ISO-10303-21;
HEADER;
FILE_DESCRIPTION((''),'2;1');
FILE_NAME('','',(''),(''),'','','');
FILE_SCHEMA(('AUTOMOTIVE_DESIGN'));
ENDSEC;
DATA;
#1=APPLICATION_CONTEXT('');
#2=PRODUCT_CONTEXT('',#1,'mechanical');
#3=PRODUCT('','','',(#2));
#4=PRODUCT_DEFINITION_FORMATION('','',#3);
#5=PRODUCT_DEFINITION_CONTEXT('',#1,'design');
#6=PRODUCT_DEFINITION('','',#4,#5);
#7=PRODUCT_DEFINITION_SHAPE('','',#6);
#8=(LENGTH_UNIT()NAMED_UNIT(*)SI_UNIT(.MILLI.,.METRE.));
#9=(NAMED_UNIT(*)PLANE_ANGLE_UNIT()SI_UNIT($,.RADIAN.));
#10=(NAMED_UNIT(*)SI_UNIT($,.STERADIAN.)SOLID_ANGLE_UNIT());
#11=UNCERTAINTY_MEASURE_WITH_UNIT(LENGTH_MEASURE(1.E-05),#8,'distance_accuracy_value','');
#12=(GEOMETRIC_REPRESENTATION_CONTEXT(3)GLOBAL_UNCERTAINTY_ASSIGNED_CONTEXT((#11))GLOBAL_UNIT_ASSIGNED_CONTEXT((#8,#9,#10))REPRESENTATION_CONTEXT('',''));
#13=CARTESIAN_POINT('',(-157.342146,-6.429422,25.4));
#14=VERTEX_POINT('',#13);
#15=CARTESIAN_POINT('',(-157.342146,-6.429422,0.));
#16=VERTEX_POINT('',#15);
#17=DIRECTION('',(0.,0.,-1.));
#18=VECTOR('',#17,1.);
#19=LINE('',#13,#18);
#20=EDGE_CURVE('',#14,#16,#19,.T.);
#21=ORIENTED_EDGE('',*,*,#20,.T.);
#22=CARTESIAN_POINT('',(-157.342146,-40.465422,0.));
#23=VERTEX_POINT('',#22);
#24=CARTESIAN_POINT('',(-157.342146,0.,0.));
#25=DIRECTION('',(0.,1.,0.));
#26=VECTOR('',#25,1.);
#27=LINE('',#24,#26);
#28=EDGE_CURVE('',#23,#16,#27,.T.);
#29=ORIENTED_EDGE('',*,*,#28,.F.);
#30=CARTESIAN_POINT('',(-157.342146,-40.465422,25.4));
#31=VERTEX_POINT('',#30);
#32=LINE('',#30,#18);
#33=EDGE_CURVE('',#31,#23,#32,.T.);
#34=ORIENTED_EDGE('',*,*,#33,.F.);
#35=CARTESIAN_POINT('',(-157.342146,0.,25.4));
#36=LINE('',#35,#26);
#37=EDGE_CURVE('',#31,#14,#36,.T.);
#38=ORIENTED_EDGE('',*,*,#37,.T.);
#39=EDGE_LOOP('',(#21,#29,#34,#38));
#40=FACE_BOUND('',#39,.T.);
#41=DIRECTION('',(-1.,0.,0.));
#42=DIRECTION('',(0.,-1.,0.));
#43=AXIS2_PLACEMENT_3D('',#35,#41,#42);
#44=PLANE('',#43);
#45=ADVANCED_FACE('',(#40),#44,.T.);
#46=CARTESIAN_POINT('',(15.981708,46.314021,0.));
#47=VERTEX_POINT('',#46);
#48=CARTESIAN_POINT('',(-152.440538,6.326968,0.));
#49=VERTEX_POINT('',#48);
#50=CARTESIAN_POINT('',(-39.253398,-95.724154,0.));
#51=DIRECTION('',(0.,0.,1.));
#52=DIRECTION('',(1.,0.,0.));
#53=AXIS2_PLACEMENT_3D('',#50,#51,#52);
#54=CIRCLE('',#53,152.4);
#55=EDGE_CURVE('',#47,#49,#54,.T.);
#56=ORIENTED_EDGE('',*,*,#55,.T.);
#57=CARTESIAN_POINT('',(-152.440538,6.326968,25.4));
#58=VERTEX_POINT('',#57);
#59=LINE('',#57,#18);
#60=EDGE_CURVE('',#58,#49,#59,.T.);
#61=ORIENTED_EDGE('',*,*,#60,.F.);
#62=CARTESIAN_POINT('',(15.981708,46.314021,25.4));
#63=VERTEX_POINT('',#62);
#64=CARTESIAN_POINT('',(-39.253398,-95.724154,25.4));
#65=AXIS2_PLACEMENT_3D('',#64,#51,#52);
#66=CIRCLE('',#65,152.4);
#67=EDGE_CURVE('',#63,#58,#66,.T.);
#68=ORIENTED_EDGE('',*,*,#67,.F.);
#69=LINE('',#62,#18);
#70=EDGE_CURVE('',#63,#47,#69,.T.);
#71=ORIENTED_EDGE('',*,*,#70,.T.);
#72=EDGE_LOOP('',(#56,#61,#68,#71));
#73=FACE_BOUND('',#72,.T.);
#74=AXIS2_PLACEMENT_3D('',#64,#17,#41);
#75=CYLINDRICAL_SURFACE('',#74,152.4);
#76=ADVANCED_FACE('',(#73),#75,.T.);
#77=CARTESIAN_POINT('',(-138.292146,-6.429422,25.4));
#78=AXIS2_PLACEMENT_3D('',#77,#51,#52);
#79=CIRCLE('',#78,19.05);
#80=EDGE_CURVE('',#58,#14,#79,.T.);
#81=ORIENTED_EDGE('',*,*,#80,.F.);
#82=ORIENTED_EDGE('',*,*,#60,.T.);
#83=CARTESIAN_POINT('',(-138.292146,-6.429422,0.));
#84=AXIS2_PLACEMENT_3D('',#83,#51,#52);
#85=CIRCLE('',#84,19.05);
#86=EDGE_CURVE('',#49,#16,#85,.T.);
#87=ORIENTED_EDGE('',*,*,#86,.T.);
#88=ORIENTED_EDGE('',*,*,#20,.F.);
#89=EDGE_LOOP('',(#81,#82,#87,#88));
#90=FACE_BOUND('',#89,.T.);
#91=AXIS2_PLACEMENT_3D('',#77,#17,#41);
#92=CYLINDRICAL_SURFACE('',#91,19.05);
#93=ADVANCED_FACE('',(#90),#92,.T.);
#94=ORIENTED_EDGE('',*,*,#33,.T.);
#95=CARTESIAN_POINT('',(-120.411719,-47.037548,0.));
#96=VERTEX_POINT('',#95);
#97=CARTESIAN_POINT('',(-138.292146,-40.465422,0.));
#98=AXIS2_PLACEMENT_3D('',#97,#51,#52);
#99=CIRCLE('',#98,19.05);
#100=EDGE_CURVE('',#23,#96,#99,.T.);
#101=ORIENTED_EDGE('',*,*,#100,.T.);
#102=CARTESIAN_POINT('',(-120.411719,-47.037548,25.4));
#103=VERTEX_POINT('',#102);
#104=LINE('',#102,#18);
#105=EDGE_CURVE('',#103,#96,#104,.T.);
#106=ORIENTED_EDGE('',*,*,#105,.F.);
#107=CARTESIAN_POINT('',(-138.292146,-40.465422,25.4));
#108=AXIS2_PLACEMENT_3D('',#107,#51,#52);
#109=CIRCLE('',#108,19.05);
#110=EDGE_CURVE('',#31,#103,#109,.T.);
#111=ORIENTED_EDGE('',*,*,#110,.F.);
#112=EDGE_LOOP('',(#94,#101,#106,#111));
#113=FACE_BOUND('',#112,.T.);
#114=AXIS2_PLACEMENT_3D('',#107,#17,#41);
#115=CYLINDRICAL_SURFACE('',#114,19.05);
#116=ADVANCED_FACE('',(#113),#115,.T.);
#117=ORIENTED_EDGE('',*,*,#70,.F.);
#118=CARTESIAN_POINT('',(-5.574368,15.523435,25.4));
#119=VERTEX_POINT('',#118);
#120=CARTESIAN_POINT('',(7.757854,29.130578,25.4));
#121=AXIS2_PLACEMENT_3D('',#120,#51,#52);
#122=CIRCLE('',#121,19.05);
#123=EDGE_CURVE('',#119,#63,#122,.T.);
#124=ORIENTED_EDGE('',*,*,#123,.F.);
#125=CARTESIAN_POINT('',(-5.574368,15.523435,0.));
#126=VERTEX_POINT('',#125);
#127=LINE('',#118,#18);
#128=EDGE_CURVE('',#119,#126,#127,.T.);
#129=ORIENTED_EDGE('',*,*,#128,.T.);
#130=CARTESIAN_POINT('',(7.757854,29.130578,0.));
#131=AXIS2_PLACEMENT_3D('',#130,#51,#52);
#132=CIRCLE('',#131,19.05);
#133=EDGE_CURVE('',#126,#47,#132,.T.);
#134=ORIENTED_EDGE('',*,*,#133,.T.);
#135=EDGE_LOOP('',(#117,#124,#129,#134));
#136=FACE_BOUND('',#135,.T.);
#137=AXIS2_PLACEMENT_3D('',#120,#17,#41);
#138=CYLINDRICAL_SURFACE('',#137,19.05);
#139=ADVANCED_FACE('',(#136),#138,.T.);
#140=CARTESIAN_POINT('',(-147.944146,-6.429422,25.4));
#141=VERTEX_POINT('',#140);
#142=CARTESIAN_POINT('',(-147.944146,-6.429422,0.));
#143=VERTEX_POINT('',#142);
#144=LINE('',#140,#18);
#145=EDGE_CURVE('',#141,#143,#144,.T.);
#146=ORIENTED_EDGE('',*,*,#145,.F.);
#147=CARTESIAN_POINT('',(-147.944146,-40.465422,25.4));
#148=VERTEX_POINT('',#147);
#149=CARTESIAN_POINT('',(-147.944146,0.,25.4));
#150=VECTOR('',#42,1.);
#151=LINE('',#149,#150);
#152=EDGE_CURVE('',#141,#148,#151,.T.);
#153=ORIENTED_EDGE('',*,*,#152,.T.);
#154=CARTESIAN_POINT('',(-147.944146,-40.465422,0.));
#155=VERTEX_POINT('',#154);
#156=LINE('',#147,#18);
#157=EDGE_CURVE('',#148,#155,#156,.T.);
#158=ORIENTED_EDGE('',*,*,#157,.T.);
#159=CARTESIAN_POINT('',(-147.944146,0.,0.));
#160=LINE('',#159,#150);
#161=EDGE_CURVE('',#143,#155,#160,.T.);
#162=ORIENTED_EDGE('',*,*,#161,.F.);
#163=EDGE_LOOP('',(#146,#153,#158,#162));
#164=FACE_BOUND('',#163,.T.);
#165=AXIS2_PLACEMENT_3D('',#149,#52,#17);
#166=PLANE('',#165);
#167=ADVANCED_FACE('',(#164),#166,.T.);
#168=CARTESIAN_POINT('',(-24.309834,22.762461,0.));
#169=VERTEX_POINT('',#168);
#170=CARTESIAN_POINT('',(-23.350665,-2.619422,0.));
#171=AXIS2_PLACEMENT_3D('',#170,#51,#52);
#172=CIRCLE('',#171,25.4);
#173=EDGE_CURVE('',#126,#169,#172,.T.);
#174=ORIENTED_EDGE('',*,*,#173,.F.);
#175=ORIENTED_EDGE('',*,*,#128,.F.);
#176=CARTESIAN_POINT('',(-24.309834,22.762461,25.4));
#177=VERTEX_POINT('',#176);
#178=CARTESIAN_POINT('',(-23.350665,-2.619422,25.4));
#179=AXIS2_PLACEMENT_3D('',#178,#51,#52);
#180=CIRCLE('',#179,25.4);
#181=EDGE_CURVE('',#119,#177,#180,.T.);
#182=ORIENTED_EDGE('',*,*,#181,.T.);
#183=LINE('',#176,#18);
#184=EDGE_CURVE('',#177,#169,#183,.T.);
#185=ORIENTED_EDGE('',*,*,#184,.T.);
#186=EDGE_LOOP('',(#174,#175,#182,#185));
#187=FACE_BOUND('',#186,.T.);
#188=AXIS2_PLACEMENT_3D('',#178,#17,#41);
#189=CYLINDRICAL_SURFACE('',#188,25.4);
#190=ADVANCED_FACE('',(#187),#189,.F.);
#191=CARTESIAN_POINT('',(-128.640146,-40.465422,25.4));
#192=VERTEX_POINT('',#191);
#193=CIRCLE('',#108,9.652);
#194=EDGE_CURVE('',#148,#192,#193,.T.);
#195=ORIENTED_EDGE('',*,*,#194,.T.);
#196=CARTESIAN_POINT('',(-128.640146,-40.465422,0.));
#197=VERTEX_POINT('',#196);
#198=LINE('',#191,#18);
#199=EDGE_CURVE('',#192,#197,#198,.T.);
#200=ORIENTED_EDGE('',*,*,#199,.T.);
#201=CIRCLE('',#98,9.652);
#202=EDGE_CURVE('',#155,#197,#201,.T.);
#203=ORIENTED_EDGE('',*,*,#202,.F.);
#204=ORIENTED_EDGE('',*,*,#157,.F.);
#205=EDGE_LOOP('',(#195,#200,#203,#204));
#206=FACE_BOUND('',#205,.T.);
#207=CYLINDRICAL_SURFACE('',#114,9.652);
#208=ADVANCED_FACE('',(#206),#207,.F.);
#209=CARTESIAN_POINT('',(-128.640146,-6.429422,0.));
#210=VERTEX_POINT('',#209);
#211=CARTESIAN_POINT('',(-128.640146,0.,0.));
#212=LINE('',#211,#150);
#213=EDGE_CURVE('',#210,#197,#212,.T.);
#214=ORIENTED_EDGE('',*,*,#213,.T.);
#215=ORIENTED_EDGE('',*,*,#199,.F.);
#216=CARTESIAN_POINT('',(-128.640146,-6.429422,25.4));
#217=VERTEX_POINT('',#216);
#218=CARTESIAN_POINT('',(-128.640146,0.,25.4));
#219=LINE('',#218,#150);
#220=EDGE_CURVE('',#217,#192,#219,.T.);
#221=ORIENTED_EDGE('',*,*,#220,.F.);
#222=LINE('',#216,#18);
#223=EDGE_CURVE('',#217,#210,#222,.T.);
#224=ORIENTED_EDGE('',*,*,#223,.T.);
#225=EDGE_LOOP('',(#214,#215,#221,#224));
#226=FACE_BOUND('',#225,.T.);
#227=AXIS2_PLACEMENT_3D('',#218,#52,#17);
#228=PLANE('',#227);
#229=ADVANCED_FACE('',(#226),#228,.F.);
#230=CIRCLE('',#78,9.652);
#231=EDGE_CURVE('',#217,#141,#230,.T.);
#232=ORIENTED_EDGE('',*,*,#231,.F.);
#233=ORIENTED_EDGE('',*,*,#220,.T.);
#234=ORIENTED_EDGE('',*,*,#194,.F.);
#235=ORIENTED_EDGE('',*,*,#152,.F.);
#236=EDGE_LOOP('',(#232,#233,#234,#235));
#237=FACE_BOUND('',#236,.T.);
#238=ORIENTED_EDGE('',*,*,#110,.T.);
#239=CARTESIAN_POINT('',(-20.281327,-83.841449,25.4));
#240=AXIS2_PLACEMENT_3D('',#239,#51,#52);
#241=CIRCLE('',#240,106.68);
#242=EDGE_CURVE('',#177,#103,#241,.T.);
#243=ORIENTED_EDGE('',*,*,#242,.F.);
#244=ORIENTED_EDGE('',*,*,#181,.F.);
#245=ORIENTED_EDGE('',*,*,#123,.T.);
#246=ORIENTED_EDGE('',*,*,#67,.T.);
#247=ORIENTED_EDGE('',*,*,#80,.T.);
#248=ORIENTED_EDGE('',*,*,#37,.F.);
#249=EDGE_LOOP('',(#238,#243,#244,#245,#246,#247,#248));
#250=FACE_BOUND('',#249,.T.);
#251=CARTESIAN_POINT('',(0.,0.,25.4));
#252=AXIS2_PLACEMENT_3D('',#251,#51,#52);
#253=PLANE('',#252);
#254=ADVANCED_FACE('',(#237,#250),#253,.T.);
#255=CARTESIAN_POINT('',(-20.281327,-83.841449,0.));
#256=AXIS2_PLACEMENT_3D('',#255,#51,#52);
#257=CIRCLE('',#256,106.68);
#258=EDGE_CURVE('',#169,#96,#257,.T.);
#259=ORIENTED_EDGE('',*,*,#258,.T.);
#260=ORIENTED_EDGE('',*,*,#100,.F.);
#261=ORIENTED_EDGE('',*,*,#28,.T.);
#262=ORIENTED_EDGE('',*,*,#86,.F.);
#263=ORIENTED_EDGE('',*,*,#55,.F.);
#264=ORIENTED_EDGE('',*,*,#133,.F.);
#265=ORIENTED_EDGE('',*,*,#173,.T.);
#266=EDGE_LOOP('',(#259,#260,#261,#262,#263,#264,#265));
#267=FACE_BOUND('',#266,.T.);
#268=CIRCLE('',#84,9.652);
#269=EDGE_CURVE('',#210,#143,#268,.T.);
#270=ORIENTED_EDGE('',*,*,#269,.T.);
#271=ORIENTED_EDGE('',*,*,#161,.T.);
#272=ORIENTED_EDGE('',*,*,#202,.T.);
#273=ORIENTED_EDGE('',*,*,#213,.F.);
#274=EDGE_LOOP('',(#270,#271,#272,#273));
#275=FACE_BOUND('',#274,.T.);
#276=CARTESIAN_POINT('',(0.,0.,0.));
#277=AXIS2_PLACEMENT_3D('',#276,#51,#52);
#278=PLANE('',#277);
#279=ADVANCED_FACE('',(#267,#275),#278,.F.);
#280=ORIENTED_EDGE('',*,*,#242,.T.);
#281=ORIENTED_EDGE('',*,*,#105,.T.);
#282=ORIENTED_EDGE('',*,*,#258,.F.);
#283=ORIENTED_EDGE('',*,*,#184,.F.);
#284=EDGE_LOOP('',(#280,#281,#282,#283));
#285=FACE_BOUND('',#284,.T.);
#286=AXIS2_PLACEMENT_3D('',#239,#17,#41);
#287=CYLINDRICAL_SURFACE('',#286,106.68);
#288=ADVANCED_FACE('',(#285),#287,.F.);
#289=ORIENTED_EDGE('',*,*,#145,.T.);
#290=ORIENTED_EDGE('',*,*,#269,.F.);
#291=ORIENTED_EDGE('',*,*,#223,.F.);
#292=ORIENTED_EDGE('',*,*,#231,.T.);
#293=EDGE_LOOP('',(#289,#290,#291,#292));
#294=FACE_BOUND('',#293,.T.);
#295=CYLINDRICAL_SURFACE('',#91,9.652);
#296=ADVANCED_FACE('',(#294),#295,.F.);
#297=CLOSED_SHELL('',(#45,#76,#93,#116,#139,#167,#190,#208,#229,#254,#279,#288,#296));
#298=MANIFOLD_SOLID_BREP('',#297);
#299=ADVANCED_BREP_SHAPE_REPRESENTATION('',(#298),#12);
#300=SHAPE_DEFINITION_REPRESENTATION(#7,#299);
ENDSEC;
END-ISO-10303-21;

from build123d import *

# Parameters (mm, degrees)
BOSS_EXTRUDE1_DEPTH = 25.4


with BuildPart() as part:
    # Sketch2 → Boss-Extrude1 (new body)
    with BuildSketch(Plane.XY):
        with BuildLine():
            Line((-157.342145667, -6.429422494), (-157.342145667, -40.465422494))
            ThreePointArc((-157.342145667, -40.465422494), (-141.629836885, -59.2207502), (-120.41171865, -47.037547699))
            ThreePointArc((-120.41171865, -47.037547699), (-82.973266833, 2.473921311), (-24.309833539, 22.762460739))
            ThreePointArc((-24.309833539, 22.762460739), (-14.196167577, 21.07351252), (-5.57436841, 15.523434648))
            ThreePointArc((-5.57436841, 15.523434648), (23.363587608, 18.205213028), (15.981707982, 46.314021024))
            ThreePointArc((15.981707982, 46.314021024), (14.448779168, 46.900655432), (12.909621311, 47.470746453))
            ThreePointArc((12.909621311, 47.470746453), (-76.05269782, 52.166250257), (-152.440538162, 6.326967661))
            ThreePointArc((-152.440538162, 6.326967661), (-156.074572062, 0.403425483), (-157.342145667, -6.429422494))
        make_face()
        with BuildLine():
            Line((-147.944145667, -40.465422494), (-147.944145667, -6.429422494))
            ThreePointArc((-147.944145667, -6.429422494), (-138.292145667, 3.222577506), (-128.640145667, -6.429422494))
            Line((-128.640145667, -6.429422494), (-128.640145667, -40.465422494))
            ThreePointArc((-128.640145667, -40.465422494), (-138.292145667, -50.117422494), (-147.944145667, -40.465422494))
        make_face(mode=Mode.SUBTRACT)
    extrude(amount=BOSS_EXTRUDE1_DEPTH)


solid = part.part
